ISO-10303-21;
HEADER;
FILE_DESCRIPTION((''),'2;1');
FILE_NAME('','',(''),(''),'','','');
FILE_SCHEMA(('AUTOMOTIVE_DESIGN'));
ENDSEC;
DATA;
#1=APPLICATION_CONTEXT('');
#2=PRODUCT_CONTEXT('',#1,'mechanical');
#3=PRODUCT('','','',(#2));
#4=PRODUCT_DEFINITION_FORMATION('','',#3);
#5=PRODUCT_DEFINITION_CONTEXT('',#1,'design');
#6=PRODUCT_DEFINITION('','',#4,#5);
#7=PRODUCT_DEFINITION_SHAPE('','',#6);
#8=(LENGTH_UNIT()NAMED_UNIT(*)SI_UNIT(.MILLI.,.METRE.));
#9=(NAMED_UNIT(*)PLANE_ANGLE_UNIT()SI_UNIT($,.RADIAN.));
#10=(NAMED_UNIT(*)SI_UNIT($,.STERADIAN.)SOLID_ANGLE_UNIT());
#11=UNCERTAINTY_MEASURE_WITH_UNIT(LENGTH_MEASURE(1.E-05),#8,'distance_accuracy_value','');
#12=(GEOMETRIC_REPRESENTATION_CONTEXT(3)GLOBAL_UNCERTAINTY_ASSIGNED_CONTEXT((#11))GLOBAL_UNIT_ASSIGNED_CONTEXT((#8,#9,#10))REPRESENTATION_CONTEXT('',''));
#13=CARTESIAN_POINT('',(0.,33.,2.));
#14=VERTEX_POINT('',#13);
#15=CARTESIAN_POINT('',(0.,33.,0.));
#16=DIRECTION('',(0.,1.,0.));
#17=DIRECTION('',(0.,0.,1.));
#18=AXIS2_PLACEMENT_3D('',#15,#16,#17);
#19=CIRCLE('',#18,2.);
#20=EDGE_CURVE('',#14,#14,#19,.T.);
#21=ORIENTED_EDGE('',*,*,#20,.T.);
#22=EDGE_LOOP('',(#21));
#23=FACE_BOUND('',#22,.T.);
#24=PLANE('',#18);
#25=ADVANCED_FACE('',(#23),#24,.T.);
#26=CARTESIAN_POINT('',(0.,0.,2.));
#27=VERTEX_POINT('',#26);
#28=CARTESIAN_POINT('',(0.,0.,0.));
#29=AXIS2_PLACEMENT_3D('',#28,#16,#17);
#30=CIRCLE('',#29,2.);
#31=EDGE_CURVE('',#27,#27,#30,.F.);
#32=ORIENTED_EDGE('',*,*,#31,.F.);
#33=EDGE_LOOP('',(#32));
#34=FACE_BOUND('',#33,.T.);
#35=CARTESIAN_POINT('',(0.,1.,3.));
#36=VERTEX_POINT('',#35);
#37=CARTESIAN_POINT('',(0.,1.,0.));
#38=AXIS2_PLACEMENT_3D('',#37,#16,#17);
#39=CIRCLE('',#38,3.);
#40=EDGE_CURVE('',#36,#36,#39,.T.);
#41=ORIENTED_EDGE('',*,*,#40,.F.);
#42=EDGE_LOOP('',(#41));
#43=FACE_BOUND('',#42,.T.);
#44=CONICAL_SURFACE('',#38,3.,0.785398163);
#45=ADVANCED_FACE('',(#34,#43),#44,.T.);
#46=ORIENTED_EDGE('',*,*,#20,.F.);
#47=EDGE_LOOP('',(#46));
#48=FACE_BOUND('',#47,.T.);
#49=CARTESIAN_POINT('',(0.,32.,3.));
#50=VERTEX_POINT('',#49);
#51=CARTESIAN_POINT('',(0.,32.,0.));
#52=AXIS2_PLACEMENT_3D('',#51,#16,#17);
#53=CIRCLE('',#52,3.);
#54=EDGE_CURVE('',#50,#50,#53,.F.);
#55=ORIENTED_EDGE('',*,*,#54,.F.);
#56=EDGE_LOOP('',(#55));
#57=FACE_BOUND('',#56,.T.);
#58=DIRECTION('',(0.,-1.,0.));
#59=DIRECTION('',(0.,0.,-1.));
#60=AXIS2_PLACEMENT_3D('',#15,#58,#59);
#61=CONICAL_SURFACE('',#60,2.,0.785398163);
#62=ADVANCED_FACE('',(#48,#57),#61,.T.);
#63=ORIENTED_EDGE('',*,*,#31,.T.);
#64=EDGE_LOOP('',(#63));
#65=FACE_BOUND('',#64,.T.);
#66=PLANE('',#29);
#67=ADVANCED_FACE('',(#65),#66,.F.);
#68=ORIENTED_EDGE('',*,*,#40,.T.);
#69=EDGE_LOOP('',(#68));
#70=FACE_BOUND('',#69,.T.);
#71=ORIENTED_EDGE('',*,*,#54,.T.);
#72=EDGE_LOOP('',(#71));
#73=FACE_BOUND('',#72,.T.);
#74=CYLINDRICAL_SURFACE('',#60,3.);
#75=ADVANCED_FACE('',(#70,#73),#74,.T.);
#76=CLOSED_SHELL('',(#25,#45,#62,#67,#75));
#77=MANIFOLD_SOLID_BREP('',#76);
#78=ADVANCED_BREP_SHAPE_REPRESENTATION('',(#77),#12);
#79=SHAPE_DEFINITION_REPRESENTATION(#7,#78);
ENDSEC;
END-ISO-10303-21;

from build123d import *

# Parameters (mm, degrees)
SZKIC1_R                    = 3
DODANIE_WYCI_GNI_CIE1_DEPTH = 33
SFAZOWANIE1_SIZE            = 1


with BuildPart() as part:
    # Szkic1 → Dodanie-wyciągnięcie1 (new body)
    with BuildSketch(Plane(origin=(0, 0, 0), x_dir=(1, 0, 0), z_dir=(0, 1, 0))):
        Circle(SZKIC1_R)
    extrude(amount=DODANIE_WYCI_GNI_CIE1_DEPTH)

    # Sfazowanie1
    sfazowanie1_edges = [part.edges().sort_by_distance(p)[0] for p in [
        (-3, 0, 0),
        (-3, 33, 0),
    ]]
    chamfer(sfazowanie1_edges, length=SFAZOWANIE1_SIZE)


solid = part.part
